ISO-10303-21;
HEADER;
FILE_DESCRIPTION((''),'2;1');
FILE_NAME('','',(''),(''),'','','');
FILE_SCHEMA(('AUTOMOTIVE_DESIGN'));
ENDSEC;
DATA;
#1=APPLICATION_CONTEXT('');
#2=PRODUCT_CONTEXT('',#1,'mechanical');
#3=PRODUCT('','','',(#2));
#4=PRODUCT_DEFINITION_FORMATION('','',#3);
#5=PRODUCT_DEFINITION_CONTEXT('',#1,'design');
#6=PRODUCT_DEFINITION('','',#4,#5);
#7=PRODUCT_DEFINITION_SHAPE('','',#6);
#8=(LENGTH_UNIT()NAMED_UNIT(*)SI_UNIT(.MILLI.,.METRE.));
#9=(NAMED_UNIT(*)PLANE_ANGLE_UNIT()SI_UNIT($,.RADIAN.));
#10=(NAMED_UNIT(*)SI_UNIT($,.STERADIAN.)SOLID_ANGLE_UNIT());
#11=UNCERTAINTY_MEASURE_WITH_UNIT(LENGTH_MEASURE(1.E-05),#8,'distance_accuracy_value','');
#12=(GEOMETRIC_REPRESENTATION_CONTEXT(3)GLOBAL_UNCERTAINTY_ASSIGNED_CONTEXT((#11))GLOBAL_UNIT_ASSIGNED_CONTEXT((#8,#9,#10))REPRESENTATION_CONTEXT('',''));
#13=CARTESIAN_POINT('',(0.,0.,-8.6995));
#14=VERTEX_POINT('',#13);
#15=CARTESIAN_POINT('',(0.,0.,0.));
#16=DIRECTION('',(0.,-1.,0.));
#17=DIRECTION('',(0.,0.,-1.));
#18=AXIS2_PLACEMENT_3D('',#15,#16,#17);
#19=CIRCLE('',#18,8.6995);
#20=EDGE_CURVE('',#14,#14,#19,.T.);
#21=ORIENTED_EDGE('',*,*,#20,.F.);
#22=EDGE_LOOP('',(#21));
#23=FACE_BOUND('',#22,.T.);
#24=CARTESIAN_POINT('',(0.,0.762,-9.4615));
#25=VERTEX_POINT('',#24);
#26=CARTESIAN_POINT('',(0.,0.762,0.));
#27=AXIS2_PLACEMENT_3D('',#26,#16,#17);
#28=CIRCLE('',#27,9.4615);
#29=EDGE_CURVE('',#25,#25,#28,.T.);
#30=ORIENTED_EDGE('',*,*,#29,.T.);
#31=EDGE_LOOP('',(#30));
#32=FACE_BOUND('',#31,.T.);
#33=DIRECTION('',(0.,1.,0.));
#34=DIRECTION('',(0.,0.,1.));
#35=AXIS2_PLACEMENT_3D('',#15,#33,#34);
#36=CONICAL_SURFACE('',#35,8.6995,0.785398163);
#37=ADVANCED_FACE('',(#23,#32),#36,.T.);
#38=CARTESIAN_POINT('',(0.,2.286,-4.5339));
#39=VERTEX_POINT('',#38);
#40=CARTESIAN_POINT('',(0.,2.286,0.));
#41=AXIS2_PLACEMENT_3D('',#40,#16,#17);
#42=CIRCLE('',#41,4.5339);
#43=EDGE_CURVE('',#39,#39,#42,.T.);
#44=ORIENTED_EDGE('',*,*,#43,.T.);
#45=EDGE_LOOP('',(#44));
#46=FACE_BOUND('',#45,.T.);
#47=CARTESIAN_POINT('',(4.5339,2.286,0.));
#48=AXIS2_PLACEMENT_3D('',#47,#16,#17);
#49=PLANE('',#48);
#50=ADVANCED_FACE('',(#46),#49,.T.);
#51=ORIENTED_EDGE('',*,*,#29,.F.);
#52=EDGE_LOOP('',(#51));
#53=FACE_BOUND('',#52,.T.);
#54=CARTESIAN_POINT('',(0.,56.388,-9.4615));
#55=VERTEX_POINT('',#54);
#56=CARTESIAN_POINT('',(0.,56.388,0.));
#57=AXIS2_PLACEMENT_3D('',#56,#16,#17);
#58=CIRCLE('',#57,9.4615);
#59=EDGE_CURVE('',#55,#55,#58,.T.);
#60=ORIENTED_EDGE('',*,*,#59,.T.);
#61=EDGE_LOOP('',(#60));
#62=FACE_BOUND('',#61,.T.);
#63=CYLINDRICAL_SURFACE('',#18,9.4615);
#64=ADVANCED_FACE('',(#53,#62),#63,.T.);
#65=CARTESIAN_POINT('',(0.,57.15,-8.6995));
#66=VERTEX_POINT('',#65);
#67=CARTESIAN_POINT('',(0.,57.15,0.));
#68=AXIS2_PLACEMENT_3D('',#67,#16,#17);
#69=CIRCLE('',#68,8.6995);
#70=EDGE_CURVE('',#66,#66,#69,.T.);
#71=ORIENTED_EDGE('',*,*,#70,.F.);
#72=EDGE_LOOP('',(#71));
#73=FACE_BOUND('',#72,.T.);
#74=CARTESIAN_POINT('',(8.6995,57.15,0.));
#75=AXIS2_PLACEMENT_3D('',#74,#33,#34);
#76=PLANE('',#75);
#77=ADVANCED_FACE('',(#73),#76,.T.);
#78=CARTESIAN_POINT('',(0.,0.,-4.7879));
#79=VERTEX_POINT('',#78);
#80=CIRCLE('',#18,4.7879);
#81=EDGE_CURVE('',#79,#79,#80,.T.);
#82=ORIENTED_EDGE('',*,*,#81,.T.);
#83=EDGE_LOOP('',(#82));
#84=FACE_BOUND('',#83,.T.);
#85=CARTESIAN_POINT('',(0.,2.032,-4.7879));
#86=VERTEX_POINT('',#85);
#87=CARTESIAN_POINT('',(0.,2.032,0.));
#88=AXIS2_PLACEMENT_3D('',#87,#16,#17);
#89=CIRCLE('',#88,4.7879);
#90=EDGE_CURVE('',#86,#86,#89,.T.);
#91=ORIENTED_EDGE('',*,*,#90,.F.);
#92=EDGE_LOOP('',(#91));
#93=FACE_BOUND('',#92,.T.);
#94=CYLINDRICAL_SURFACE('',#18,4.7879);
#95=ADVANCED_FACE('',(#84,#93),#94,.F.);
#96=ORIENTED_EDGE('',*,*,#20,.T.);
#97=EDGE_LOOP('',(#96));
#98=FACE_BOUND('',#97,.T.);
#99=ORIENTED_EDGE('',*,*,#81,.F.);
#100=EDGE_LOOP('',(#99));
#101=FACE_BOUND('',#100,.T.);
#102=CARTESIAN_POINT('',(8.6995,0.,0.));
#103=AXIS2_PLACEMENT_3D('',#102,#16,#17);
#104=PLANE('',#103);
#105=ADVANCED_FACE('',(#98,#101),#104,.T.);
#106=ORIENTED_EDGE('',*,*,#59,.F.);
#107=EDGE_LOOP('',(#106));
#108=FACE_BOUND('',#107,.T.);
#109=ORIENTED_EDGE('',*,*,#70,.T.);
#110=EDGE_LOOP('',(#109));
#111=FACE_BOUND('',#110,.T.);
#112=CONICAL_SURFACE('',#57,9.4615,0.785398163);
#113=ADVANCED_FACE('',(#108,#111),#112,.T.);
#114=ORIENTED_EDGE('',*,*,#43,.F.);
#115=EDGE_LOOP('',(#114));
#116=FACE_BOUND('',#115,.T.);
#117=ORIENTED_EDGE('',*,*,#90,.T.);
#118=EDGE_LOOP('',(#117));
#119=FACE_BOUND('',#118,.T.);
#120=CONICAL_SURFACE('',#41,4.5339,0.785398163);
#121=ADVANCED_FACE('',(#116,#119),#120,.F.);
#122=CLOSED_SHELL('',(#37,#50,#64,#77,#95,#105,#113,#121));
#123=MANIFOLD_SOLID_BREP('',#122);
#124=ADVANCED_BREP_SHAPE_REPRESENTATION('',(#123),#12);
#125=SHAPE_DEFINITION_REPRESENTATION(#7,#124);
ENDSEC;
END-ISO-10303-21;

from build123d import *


with BuildPart() as part:
    # Sketch1 → Revolve1 (revolve)
    with BuildSketch(Plane.XY, mode=Mode.PRIVATE) as revolve1_sk:
        Polygon((9.4615, 0.762), (9.4615, 56.388), (8.6995, 57.15), (0, 57.15), (0, 2.286), (4.5339, 2.286), (4.7879, 2.032), (4.7879, 0), (8.6995, 0), align=None)
    revolve(revolve1_sk.sketch.rotate(Axis((0, 0, 0), (0, 1, 0)), 90), axis=Axis((0, 0, 0), (0, 1, 0)))  # turned: the seam where the file's is


solid = part.part
